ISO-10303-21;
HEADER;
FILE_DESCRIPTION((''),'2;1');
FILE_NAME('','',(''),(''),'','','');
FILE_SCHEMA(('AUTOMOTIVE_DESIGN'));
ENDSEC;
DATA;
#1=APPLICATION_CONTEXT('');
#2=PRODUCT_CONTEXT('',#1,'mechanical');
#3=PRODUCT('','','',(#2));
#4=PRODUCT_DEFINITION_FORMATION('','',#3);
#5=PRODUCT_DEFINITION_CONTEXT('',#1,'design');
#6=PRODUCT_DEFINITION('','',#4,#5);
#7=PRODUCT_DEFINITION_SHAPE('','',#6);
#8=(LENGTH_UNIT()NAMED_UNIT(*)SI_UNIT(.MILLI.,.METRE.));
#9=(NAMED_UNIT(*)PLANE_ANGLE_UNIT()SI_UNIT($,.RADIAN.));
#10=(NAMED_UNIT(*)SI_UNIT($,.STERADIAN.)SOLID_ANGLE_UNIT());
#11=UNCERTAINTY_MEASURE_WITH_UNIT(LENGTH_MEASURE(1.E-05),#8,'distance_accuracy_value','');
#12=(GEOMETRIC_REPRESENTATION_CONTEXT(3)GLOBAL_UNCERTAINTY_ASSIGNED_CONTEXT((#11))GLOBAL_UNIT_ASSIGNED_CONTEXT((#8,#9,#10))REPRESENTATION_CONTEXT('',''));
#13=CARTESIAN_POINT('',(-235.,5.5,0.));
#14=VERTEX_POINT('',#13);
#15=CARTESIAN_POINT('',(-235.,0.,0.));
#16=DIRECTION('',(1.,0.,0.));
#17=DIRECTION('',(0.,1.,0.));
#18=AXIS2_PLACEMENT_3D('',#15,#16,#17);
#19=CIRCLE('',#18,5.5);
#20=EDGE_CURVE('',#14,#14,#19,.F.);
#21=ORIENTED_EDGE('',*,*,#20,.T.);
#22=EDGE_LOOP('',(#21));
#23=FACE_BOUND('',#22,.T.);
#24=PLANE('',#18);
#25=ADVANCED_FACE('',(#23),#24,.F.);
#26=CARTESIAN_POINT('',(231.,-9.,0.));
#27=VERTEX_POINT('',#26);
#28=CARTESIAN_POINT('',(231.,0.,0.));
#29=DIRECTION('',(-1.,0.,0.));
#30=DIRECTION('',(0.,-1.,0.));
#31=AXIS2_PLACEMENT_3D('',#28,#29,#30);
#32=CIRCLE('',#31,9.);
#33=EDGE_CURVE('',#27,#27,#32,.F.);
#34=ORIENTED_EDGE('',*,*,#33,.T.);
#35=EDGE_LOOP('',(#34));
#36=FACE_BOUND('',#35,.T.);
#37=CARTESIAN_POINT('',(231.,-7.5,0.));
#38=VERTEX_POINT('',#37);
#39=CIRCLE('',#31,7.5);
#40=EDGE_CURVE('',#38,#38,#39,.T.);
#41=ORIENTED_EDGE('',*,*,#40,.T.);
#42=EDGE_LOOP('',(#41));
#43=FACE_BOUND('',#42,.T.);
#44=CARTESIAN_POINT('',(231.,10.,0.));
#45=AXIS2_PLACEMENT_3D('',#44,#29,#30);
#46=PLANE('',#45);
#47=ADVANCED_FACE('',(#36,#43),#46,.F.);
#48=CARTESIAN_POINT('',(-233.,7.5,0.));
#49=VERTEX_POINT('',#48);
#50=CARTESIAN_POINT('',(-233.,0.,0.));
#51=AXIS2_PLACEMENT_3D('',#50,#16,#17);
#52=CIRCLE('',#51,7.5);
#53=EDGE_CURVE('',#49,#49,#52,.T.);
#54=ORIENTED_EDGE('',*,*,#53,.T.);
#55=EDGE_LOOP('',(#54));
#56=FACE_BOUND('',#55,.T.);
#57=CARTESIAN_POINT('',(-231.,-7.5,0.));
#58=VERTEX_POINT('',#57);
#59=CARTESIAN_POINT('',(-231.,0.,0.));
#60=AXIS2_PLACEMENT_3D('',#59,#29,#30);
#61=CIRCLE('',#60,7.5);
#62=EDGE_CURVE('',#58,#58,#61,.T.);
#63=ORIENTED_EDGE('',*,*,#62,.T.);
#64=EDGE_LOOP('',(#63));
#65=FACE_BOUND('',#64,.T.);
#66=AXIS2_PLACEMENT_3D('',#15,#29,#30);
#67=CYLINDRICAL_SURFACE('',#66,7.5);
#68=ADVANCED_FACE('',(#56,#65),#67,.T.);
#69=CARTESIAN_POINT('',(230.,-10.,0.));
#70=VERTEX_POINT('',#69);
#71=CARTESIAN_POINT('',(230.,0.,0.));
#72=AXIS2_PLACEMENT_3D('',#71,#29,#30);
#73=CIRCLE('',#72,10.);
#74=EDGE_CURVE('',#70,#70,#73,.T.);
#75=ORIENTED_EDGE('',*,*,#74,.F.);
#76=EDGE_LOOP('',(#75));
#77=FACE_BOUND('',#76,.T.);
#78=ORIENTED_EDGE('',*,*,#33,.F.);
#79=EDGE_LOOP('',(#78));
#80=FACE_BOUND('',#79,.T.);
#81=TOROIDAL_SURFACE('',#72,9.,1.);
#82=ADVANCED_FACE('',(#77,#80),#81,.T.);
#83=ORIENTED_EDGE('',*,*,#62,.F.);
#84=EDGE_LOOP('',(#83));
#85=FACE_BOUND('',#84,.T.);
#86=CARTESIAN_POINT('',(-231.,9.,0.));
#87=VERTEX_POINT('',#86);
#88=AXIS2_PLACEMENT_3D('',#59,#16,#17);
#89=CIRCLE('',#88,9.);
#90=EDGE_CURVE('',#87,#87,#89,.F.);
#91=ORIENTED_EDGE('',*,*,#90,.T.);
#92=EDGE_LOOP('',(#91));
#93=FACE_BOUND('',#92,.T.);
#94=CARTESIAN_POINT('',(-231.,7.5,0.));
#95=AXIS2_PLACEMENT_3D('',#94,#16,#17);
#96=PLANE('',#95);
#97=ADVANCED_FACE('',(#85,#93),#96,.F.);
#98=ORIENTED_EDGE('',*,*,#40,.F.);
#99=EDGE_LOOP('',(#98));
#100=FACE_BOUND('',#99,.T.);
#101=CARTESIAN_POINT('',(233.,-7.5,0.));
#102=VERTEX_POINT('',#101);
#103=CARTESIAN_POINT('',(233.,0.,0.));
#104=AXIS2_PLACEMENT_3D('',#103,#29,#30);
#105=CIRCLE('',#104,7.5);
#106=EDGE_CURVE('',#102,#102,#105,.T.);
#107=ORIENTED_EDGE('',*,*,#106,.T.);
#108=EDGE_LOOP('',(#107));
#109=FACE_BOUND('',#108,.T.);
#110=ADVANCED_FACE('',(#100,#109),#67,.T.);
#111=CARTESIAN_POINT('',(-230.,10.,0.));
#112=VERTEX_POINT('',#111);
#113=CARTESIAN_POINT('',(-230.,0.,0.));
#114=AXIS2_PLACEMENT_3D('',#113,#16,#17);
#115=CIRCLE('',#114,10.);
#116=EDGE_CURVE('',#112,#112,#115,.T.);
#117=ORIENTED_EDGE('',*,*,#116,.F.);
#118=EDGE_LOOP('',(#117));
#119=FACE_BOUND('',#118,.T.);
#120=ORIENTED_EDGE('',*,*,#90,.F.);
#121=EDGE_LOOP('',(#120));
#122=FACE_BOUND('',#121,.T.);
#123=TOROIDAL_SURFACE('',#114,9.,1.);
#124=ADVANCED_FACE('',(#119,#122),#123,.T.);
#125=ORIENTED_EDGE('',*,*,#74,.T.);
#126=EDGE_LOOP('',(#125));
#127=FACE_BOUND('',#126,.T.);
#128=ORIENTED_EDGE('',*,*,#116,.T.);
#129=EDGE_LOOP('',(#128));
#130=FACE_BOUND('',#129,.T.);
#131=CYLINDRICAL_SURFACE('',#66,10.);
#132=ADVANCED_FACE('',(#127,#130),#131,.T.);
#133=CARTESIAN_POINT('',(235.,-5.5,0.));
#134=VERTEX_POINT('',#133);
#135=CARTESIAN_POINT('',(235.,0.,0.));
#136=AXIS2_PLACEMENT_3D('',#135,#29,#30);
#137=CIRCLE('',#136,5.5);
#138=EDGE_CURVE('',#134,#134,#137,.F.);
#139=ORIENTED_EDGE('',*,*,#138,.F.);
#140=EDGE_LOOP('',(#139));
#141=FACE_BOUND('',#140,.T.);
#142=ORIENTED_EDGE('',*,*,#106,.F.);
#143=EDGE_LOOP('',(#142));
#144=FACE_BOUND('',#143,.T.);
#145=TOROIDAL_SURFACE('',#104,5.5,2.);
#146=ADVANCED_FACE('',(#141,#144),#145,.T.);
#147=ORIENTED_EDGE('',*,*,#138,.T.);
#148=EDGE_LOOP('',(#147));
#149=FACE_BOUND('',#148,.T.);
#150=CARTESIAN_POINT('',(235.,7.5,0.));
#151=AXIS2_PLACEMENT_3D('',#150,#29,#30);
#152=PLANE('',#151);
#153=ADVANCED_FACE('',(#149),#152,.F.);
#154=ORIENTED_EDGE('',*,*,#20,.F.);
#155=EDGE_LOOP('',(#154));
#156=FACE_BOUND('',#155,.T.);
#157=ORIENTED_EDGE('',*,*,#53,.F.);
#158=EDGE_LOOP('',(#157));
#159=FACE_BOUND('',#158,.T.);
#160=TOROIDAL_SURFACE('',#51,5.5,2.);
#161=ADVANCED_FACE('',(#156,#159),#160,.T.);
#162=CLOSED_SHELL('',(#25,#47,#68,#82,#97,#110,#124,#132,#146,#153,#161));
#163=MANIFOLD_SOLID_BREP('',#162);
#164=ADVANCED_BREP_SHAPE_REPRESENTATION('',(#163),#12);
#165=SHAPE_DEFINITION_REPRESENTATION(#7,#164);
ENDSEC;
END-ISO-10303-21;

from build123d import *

# Parameters (mm, degrees)
RADYUS1_R = 1
RADYUS2_R = 2


with BuildPart() as part:
    # Çizim1 → Döndür1 (revolve)
    with BuildSketch(Plane.XY, mode=Mode.PRIVATE) as d_nd_r1_sk:
        Polygon((-235, 0), (-235, 7.5), (-231, 7.5), (-231, 10), (231, 10), (231, 7.5), (235, 7.5), (235, 0), align=None)
    revolve(d_nd_r1_sk.sketch.rotate(Axis((-235, 0, 0), (1, 0, 0)), 180), axis=Axis((-235, 0, 0), (1, 0, 0)))

    # Radyus1
    radyus1_edges = [part.edges().sort_by_distance(p)[0] for p in [
        (231, 10, 0),
        (-231, 10, 0),
    ]]
    fillet(radyus1_edges, radius=RADYUS1_R)

    # Radyus2
    radyus2_edges = [part.edges().sort_by_distance(p)[0] for p in [
        (235, 7.5, 0),
        (-235, 7.5, 0),
    ]]
    fillet(radyus2_edges, radius=RADYUS2_R)


solid = part.part
